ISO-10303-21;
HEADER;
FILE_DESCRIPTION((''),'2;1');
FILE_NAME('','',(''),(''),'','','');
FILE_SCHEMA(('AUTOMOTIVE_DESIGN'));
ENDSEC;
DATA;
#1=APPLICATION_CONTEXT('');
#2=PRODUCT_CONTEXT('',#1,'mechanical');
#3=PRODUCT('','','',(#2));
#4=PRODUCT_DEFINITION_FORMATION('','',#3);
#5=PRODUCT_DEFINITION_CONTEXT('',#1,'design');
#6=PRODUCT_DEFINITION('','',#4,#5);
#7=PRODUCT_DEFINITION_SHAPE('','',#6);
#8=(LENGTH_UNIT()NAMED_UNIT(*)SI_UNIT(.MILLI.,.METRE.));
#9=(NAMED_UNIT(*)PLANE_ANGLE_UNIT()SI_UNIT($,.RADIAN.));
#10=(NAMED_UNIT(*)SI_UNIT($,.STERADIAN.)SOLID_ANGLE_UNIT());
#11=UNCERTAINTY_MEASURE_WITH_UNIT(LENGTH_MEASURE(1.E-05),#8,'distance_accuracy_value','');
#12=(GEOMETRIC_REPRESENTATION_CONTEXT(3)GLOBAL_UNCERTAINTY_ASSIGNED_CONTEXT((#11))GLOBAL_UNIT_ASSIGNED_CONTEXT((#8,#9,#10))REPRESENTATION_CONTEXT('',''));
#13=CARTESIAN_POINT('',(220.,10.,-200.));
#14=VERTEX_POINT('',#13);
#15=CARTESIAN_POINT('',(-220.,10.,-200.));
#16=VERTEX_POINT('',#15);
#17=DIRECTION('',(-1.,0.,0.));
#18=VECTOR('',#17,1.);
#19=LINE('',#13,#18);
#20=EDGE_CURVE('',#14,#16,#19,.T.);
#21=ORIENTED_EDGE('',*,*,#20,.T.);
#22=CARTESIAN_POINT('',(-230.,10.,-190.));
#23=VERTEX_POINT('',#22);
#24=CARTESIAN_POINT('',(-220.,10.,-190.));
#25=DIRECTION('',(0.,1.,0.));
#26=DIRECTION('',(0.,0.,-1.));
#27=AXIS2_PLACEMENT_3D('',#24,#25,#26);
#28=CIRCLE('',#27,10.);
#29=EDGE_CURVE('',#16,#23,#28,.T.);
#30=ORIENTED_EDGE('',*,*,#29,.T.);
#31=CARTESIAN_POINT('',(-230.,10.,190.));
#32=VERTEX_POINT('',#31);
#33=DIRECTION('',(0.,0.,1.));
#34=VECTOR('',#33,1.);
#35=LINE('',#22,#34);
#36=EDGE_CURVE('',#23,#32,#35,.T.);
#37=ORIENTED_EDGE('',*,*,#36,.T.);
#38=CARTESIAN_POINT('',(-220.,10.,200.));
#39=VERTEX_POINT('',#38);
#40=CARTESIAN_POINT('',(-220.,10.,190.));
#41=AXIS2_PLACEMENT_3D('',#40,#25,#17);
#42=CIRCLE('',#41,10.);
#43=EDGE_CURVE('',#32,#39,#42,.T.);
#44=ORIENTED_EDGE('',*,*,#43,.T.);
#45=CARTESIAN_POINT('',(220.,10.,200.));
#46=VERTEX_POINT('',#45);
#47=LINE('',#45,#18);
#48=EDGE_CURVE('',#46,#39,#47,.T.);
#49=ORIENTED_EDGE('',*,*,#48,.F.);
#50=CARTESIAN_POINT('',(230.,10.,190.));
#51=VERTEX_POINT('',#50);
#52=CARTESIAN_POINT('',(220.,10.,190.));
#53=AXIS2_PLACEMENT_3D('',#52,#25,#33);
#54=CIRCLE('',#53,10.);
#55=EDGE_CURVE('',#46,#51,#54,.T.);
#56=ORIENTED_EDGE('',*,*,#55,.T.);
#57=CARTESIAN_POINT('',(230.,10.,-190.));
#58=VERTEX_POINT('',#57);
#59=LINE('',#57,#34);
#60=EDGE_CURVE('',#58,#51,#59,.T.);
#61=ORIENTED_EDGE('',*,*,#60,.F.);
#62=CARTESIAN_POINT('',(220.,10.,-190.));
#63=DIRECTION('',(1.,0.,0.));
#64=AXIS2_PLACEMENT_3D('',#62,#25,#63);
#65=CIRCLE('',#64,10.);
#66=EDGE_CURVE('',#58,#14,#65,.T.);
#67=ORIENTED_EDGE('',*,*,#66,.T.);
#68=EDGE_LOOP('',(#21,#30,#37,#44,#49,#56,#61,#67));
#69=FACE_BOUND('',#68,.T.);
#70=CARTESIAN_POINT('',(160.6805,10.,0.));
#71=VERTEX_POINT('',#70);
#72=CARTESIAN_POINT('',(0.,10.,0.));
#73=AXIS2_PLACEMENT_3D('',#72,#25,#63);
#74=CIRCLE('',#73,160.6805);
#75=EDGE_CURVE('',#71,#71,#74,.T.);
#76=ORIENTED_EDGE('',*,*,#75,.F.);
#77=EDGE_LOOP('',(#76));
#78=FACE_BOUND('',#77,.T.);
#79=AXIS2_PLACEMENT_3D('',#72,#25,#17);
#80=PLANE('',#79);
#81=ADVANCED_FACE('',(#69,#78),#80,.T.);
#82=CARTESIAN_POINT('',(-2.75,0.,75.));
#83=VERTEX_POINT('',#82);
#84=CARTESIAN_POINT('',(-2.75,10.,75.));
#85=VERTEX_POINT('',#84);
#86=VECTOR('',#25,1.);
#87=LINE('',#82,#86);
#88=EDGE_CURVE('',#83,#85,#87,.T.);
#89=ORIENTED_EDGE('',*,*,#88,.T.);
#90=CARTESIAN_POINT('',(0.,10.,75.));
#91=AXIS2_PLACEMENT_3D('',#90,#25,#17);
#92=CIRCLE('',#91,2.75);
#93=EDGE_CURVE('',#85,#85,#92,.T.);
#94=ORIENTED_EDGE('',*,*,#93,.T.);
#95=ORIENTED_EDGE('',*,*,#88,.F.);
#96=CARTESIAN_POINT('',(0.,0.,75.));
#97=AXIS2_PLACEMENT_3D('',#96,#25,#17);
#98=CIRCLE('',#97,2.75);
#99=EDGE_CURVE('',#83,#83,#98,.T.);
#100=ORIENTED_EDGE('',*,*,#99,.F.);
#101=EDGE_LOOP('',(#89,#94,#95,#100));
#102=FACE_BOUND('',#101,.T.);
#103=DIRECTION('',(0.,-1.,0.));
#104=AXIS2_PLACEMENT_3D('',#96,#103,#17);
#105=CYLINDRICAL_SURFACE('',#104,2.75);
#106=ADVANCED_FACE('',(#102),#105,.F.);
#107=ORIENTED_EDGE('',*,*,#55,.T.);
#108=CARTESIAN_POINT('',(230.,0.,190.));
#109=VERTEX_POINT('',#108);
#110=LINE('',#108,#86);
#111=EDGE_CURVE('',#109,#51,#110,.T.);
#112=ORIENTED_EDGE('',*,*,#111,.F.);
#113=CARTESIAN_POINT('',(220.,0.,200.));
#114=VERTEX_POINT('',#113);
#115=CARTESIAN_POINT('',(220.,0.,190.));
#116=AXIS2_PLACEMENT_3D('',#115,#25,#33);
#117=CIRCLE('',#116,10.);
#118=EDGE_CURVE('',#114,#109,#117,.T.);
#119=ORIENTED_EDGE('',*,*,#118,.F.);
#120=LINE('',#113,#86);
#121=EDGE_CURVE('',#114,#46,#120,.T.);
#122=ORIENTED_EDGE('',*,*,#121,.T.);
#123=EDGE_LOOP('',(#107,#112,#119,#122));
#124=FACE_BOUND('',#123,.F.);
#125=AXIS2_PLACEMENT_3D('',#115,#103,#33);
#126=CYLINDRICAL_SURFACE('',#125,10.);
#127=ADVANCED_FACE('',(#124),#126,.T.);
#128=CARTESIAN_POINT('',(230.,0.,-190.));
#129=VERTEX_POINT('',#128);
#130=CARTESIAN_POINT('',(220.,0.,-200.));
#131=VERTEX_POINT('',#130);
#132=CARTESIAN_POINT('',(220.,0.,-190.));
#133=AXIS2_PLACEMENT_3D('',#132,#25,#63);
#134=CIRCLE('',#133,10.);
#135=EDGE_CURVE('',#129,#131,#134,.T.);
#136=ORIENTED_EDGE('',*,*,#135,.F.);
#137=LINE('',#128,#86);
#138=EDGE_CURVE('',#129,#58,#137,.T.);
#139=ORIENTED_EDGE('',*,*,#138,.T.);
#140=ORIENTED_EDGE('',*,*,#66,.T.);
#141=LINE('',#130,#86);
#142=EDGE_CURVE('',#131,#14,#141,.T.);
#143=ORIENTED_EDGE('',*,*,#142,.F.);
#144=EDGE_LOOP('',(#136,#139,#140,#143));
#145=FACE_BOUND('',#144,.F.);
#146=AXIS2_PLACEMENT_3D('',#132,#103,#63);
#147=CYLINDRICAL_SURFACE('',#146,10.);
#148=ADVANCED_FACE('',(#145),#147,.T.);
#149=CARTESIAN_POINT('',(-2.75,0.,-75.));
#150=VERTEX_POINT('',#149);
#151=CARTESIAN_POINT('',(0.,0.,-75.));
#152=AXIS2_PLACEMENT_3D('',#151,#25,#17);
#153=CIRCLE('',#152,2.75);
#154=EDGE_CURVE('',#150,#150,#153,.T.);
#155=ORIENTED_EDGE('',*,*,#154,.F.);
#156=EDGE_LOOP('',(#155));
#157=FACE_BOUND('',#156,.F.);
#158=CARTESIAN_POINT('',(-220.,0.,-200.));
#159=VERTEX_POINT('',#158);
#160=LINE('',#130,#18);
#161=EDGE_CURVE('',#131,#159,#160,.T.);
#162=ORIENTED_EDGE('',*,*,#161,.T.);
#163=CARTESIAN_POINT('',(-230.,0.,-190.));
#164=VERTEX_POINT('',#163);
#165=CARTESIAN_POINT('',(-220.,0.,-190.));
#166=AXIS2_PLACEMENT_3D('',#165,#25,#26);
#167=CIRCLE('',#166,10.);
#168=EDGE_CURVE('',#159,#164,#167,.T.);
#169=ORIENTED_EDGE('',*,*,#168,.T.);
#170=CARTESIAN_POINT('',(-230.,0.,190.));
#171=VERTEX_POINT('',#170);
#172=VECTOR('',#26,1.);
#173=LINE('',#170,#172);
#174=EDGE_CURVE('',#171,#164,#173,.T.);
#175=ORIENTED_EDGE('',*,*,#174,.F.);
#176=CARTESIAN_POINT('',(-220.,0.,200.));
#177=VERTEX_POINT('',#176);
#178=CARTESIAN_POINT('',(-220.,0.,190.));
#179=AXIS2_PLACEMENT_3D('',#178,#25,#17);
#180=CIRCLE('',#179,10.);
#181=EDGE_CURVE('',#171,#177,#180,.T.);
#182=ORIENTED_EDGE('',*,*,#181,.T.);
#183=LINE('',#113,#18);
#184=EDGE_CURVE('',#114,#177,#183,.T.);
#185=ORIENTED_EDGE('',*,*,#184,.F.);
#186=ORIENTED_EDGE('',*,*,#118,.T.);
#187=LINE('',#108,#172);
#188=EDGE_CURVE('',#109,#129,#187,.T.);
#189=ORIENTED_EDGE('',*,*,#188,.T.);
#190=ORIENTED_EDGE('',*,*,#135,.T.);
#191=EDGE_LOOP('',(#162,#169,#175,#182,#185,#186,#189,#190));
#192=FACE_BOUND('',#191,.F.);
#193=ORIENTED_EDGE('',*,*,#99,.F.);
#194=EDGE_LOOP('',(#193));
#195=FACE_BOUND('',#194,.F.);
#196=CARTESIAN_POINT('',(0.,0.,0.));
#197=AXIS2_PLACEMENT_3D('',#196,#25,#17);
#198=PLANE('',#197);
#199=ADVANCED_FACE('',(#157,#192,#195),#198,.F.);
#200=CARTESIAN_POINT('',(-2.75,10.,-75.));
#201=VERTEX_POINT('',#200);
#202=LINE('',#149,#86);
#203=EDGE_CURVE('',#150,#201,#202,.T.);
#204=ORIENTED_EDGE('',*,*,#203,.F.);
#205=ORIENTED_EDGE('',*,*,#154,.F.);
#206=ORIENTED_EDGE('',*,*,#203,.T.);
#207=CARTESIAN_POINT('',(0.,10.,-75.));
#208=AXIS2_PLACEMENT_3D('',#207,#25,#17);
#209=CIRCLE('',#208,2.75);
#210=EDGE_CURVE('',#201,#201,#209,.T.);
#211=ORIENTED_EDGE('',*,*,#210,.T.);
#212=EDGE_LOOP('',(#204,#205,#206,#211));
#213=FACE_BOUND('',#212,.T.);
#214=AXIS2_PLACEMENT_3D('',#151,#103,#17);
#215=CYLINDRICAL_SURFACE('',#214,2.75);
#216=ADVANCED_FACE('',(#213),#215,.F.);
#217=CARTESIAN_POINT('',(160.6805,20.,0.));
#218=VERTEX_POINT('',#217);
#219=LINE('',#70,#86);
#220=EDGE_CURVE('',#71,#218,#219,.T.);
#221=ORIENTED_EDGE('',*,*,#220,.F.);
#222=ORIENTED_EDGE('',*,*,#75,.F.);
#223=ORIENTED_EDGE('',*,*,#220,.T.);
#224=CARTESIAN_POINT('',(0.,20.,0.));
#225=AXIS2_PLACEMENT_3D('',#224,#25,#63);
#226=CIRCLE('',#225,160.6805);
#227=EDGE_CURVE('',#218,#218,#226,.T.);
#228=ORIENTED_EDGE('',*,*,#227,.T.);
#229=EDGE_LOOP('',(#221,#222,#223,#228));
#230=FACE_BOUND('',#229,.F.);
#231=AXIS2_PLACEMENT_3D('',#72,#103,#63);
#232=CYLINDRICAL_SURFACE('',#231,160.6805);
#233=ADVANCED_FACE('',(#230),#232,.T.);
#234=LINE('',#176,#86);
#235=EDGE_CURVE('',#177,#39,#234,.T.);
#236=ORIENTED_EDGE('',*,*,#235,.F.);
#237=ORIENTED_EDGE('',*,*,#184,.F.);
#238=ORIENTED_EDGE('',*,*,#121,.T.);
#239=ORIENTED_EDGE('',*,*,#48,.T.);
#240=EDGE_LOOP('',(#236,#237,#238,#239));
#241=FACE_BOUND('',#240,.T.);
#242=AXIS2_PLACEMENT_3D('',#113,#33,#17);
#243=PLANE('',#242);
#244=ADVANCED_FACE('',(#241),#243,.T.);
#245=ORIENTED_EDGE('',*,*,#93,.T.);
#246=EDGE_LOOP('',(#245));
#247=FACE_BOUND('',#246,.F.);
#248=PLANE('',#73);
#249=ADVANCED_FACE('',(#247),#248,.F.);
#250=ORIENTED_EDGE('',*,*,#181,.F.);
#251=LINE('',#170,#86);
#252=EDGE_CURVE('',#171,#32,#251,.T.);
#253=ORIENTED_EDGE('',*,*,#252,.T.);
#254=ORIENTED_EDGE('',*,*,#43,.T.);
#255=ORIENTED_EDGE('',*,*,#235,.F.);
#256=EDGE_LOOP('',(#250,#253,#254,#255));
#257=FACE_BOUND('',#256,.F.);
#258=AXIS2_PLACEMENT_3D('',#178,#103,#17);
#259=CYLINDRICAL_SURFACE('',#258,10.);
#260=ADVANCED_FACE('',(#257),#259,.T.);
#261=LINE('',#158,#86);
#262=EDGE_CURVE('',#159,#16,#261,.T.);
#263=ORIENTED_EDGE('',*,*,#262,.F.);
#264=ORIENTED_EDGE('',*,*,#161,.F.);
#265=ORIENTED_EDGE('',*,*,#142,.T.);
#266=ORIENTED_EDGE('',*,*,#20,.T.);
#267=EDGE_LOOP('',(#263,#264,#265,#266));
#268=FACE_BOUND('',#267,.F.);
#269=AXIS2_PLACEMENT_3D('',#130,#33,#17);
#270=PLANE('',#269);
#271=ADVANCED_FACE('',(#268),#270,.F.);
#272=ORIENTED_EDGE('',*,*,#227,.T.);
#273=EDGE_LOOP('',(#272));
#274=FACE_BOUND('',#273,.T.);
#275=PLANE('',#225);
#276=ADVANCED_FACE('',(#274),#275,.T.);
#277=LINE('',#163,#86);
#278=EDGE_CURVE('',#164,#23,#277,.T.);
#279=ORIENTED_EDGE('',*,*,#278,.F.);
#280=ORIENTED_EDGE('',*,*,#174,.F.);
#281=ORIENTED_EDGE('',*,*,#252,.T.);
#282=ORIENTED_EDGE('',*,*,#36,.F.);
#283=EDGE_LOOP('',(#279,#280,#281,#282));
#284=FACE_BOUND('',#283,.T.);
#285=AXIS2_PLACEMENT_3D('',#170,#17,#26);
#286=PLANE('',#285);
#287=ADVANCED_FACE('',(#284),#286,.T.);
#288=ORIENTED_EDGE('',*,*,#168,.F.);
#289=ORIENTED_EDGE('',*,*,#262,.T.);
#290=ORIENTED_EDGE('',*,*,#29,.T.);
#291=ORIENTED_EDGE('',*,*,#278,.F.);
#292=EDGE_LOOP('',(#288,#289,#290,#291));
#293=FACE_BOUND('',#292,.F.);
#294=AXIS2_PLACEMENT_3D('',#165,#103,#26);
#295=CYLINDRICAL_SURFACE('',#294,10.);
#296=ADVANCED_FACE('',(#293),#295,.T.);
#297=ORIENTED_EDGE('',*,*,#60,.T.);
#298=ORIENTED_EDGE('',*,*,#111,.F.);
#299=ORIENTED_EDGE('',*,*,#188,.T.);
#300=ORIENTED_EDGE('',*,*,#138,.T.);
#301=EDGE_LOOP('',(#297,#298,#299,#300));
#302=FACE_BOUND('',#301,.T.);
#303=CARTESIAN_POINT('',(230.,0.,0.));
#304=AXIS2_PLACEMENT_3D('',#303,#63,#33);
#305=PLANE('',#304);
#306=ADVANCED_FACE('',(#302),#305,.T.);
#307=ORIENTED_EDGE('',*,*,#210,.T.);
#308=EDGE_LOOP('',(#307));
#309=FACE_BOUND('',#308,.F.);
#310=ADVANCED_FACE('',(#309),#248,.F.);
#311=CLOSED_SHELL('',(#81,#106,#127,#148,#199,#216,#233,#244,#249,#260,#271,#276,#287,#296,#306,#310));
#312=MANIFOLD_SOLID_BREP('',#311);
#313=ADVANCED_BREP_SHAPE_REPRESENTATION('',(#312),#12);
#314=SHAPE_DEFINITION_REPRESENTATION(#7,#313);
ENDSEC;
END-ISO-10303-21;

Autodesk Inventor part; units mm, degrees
ref_plane "YZ Plane" through (0, 0, 0) normal (1, 0, 0) x (0, 1, 0)
ref_plane "XZ Plane" through (0, 0, 0) normal (0, 1, 0) x (-1, 0, 0)
ref_plane "XY Plane" through (0, 0, 0) normal (0, 0, 1) x (1, 0, 0)
sketch "Schizzo3" plane through (0, 0, 0) normal (0, 1, 0) x (-1, 0, 0)
  circle A0 centre (0, 75) radius 2.75
  circle A1 centre (0, -75) radius 2.75
  line L0 (-230, 0) -> (-230, 100)
  line L1 (230, 100) -> (230, 0)
  line L2 (-230, 0) -> (-230, -100)
  line L3 (230, -100) -> (230, 0)
  line L4 (-230, 0) -> (-230, 190)
  line L5 (-220, 200) -> (220, 200)
  line L6 (230, 190) -> (230, 2)
  line L7 (-230, 0) -> (-230, -190)
  line L8 (-220, -200) -> (220, -200)
  line L9 (230, -190) -> (230, 0)
  arc A2 (228, 0) -> (230, 2) centre (228, 2) ccw
  arc A3 (230, 190) -> (220, 200) centre (220, 190) ccw
  arc A4 (220, -200) -> (230, -190) centre (220, -190) ccw
  arc A5 (-230, -190) -> (-220, -200) centre (-220, -190) ccw
  arc A6 (-220, 200) -> (-230, 190) centre (-220, 190) ccw
  point P0 (0, 0)
  point P1 (-230, 200)
  point P2 (-230, -200)
  dimension "d18" = 5.5
  dimension "d21" = 5.5
  dimension "d24" = 460
  dimension "d25" = 460
  dimension "d26" = 100
  dimension "d27" = 200
  dimension "d28" = 200
  dimension "d29" = 2
  dimension "d30" = 10
extrude "Estrusione3" add sketch "Schizzo3" along normal blind 10
sketch "Schizzo4" plane through (0, 10, 0) normal (0, 1, 0) x (1, 0, 0)
  circle A0 centre (0, 0) radius 160.6805
extrude "Estrusione4" add sketch "Schizzo4" along normal blind 10
properties part number "Pedana_Stampa 3D"
